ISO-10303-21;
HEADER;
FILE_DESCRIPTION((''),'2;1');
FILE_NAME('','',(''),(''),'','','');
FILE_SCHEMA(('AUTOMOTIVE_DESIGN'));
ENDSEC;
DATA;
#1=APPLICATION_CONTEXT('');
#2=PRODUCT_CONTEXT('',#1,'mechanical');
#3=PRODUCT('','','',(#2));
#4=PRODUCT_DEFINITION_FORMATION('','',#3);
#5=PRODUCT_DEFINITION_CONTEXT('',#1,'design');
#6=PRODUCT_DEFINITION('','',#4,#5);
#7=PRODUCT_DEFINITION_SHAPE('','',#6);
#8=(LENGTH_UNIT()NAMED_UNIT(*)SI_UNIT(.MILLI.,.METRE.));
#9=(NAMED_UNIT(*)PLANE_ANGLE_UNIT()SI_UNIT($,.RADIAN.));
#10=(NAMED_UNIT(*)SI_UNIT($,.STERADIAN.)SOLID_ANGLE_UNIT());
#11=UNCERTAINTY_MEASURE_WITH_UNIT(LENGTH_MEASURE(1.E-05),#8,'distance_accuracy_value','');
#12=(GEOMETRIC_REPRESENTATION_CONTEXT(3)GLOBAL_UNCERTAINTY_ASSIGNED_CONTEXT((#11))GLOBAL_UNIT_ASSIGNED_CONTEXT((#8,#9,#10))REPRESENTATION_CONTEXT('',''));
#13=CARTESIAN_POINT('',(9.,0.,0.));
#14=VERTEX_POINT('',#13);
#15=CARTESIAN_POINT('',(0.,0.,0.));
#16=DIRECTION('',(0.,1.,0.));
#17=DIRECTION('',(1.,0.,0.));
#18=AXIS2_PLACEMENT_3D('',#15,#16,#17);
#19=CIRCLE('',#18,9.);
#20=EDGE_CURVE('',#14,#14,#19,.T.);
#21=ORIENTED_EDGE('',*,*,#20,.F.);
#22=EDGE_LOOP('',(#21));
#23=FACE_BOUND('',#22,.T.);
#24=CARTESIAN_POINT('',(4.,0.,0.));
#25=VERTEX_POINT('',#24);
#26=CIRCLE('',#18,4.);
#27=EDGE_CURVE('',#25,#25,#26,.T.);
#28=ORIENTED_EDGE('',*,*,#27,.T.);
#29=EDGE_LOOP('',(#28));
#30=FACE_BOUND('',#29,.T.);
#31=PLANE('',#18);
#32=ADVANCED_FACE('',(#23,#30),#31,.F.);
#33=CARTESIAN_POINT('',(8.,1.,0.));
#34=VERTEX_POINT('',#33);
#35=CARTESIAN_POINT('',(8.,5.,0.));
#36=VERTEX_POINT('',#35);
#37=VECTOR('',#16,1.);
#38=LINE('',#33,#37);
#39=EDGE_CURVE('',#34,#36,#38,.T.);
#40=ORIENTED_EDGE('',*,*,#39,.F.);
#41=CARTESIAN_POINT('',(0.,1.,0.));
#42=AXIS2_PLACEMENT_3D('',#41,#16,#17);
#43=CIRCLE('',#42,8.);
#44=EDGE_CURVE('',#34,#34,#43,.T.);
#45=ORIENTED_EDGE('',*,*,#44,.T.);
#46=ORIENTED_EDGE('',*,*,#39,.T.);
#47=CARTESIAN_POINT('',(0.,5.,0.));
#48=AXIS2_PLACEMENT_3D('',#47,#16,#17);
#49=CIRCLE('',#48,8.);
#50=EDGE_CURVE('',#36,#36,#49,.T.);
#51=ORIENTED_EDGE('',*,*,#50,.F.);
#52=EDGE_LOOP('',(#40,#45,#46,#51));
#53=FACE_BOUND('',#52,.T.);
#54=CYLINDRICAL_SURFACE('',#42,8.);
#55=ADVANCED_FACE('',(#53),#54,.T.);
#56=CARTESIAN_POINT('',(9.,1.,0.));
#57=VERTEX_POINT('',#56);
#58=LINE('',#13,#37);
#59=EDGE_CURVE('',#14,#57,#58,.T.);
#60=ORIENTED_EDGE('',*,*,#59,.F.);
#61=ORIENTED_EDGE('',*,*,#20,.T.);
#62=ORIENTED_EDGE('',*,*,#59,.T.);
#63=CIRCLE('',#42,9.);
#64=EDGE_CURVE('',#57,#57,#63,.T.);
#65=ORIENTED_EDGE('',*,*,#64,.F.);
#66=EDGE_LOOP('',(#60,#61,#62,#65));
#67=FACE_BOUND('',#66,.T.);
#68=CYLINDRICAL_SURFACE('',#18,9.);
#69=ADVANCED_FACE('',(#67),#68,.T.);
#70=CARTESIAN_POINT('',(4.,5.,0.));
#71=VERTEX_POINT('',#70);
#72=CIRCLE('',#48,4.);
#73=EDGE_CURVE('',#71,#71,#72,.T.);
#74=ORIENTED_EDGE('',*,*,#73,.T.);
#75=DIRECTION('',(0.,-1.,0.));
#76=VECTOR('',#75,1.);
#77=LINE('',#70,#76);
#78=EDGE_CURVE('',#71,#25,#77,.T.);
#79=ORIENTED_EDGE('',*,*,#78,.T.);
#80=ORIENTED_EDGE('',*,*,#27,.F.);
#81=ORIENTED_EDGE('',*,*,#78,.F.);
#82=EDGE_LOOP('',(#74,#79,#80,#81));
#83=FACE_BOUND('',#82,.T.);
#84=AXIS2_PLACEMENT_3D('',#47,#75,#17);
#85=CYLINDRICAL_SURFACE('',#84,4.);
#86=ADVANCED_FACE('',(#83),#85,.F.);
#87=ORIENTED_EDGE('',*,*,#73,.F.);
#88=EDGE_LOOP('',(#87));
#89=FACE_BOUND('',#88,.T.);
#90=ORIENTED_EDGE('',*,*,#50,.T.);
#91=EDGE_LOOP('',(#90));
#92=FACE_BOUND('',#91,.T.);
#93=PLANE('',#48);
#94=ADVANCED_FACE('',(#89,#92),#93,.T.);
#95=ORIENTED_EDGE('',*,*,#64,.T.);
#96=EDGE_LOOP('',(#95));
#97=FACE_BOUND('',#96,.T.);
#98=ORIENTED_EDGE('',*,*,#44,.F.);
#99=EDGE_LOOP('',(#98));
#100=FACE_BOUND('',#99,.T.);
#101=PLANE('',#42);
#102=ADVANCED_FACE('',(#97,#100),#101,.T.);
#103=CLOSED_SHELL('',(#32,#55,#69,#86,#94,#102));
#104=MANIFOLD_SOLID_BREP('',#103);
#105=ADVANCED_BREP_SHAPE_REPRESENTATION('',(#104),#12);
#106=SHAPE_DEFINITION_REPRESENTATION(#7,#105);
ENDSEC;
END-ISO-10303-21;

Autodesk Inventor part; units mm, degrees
ref_plane "YZ Plane" through (0, 0, 0) normal (1, 0, 0) x (0, 1, 0)
ref_plane "XZ Plane" through (0, 0, 0) normal (0, 1, 0) x (-1, 0, 0)
ref_plane "XY Plane" through (0, 0, 0) normal (0, 0, 1) x (1, 0, 0)
sketch "Sketch1" plane through (0, 0, 0) normal (0, 0, 1) x (1, 0, 0)
  line L0 (0, 0) -> (0, 5) construction
  line L1 (0, 0) -> (4, 0) construction
  line L2 (4, 0) -> (9, 0)
  line L3 (9, 0) -> (9, 1)
  line L4 (9, 1) -> (8, 1)
  line L5 (8, 1) -> (8, 5)
  line L6 (8, 5) -> (4, 5)
  line L7 (4, 5) -> (4, 0)
  dimension "d2" = 5
  dimension "d5" = 1
  dimension "d7" = 4
  dimension "d9" = 18
  dimension "d10" = 8
  dimension "d11" = 16
revolve "body" add sketch "Sketch1" angle 360 about axis through (0, 0, 0) along (0, 1, 0)
equation "\"d2\" = flangeBearing_height"
equation "\"d5\" = flangeBearing_flangeHeight"
equation "\"d7\" = flangeBearing_height - flangeBearing_flangeHeight"
equation "\"d9\" = flangeBearing_flangeDiameter"
equation "\"d10\" = flangeBearing_innerDiameter"
equation "\"d11\" = flangeBearing_outerDiameter"
equation "\"gap\" = 0.1"
equation "\"airgap\" = 0.4"
equation "\"wallgap\" = 2"
equation "\"driveMagnet_height\" = 5"
equation "\"halbachMagnet_height\" = 3"
equation "\"sensorMagnet_diameter\" = 5"
equation "\"sensorMagnet_height\" = 2.66667"
equation "\"motorRadius\" = 2 * gap + driveMagnet_centerSpacingRadius + driveMagnet_length + 2 * wallgap"
equation "\"shaftDiameter\" = 8"
equation "\"flangeBearing_outerDiameter\" = 16"
equation "\"flangeBearing_innerDiameter\" = shaftDiameter"
equation "\"flangeBearing_height\" = 5"
equation "\"flangeBearing_flangeHeight\" = 1"
equation "\"flangeBearing_flangeDiameter\" = 18"
equation "\"magnetTrapNut_height\" = 1.2"
equation "\"magnetTrapNut_sideToSide\" = 4"
equation "\"magnetTrapBolt_headHeight\" = 2"
equation "\"magnetTrapBolt_headDiameter\" = 3.98"
equation "\"magnetTrapBolt_diameter\" = 2"
equation "\"statorThickness\" = coilThickness + 2 * wallgap"
equation "\"rotor_mountingLipHeight\" = 0.5 * statorThickness"
equation "\"magnetTrapHexNut_sideToSide\" = 4"
equation "\"magnetTrapSquareNut_sideLength\" = 4"
equation "\"magnetTrapSquareNut_height\" = 1.2"
equation "\"magnetTrapHexNut_height\" = 1.2"
equation "\"rotorRadius\" = 2 * gap + driveMagnet_centerSpacingRadius + driveMagnet_length + wallgap"
equation "\"rotorBandSquareNut_sideLength\" = 4"
equation "\"rotorBandHexNut_height\" = 1.2"
equation "\"rotorBandHexNut_sideToSide\" = 4"
equation "\"rotorBandSquareNut_height\" = 1.2"
equation "\"rotorBandBolt_headHeight\" = 2"
equation "\"rotorBandBolt_headDiameter\" = 3.98"
equation "\"rotorBandBolt_diameter\" = 2"
equation "\"rotorBandThickness\" = wallgap + rotorBandBolt_headHeight + gap"
equation "\"flangeCoupling_collarOuterDiameter\" = 16"
equation "\"flangeCoupling_flangeHoleEdgeToEdge\" = 2.05"
equation "\"flangeCoupling_innerDiameter\" = shaftDiameter"
equation "\"flangeCoupling_flangeHoleDiameter\" = 3.9"
equation "\"flangeCoupling_flangeHeight\" = 3.1"
equation "\"flangeCoupling_flangeDiameter\" = 32"
equation "\"flangeCoupling_height\" = flangeCoupling_collarHeight + flangeCoupling_flangeHeight"
equation "\"flangeCoupling_mountHoleDiameter\" = 3.9"
equation "\"flangeCoupling_mountHoleEdgeToEdge\" = 2.05"
equation "\"statorRadius\" = driveMagnet_length + driveMagnet_centerSpacingRadius + 2 * gap"
equation "\"coilThickness\" = 12"
equation "\"statorMountBolt_diameter\" = 4"
equation "\"statorMountBolt_headDiameter\" = 7"
equation "\"statorMountBolt_headHeight\" = 4"
equation "\"statorMountBolt_shaftLength\" = coilThickness + flangeCoupling_flangeHeight + wallgap"
equation "\"statorMountHexNut_height\" = 4"
equation "\"statorMountHexNut_sideToSide\" = 8"
equation "\"sensorMagnet_ringRadius\" = 0.5 * driveMagnet_centerSpacingRadius + 2 * wallgap"
equation "\"coil_percentCoverage\" = 0.6"
equation "\"statorSpokeDegrees\" = 4deg"
equation "\"coil_bulge\" = 3"
equation "\"statorCoilHexNut_height\" = 1.2"
equation "\"statorCoilBolt_headHeight\" = 2"
equation "\"statorCoilBolt_diameter\" = 2"
equation "\"statorCoilBolt_headDiameter\" = 3.98"
equation "\"statorCoilHexNut_sideToSide\" = 4"
equation "\"magnetWire_outerDiameter\" = 0.8128"
equation "\"printingLayerHeight\" = 0.2"
equation "\"circuitBoard_height\" = 1.6"
equation "\"hallEffectSensor_width\" = 1.6"
equation "\"hallEffectSensor_length\" = 3"
equation "\"hallEffectSensor_height\" = 1.1"
equation "\"hallEffectSensor_pinLength\" = 0.6"
equation "\"circuitboardMountHexNut_height\" = 1.2"
equation "\"circuitboardMountHexNut_sideToSide\" = 4"
equation "\"circuitboardMountBolt_headHeight\" = 2"
equation "\"circuitboardMountBolt_shaftLength\" = coilThickness"
equation "\"circuitboardMountBolt_diameter\" = 2"
equation "\"circuitboardMountBolt_headDiameter\" = 3.98"
equation "\"statorShellBolt_headDiameter\" = 5.68"
equation "\"statorShellHexNut_height\" = 2.3"
equation "\"statorShellBolt_shaftLength\" = statorThickness - statorShellBolt_countersinkDepth"
equation "\"statorShellBolt_headHeight\" = 3"
equation "\"statorShellHexNut_sideToSide\" = 5.3"
equation "\"statorShellBolt_diameter\" = 3"
equation "\"flangeCoupling_mountHoleCenterToCouplingCenter\" = 12"
equation "\"driveMagnet_centerSpacingRadius\" = 38.96113"
equation "\"driveMagnet_length\" = 60"
equation "\"flangeCoupling_collarHeight\" = 10"
equation "\"statorShellBolt_countersinkDepth\" = 3.4"
properties part number "FlangeBearing" material "Steel, High Strength, Low Alloy"
